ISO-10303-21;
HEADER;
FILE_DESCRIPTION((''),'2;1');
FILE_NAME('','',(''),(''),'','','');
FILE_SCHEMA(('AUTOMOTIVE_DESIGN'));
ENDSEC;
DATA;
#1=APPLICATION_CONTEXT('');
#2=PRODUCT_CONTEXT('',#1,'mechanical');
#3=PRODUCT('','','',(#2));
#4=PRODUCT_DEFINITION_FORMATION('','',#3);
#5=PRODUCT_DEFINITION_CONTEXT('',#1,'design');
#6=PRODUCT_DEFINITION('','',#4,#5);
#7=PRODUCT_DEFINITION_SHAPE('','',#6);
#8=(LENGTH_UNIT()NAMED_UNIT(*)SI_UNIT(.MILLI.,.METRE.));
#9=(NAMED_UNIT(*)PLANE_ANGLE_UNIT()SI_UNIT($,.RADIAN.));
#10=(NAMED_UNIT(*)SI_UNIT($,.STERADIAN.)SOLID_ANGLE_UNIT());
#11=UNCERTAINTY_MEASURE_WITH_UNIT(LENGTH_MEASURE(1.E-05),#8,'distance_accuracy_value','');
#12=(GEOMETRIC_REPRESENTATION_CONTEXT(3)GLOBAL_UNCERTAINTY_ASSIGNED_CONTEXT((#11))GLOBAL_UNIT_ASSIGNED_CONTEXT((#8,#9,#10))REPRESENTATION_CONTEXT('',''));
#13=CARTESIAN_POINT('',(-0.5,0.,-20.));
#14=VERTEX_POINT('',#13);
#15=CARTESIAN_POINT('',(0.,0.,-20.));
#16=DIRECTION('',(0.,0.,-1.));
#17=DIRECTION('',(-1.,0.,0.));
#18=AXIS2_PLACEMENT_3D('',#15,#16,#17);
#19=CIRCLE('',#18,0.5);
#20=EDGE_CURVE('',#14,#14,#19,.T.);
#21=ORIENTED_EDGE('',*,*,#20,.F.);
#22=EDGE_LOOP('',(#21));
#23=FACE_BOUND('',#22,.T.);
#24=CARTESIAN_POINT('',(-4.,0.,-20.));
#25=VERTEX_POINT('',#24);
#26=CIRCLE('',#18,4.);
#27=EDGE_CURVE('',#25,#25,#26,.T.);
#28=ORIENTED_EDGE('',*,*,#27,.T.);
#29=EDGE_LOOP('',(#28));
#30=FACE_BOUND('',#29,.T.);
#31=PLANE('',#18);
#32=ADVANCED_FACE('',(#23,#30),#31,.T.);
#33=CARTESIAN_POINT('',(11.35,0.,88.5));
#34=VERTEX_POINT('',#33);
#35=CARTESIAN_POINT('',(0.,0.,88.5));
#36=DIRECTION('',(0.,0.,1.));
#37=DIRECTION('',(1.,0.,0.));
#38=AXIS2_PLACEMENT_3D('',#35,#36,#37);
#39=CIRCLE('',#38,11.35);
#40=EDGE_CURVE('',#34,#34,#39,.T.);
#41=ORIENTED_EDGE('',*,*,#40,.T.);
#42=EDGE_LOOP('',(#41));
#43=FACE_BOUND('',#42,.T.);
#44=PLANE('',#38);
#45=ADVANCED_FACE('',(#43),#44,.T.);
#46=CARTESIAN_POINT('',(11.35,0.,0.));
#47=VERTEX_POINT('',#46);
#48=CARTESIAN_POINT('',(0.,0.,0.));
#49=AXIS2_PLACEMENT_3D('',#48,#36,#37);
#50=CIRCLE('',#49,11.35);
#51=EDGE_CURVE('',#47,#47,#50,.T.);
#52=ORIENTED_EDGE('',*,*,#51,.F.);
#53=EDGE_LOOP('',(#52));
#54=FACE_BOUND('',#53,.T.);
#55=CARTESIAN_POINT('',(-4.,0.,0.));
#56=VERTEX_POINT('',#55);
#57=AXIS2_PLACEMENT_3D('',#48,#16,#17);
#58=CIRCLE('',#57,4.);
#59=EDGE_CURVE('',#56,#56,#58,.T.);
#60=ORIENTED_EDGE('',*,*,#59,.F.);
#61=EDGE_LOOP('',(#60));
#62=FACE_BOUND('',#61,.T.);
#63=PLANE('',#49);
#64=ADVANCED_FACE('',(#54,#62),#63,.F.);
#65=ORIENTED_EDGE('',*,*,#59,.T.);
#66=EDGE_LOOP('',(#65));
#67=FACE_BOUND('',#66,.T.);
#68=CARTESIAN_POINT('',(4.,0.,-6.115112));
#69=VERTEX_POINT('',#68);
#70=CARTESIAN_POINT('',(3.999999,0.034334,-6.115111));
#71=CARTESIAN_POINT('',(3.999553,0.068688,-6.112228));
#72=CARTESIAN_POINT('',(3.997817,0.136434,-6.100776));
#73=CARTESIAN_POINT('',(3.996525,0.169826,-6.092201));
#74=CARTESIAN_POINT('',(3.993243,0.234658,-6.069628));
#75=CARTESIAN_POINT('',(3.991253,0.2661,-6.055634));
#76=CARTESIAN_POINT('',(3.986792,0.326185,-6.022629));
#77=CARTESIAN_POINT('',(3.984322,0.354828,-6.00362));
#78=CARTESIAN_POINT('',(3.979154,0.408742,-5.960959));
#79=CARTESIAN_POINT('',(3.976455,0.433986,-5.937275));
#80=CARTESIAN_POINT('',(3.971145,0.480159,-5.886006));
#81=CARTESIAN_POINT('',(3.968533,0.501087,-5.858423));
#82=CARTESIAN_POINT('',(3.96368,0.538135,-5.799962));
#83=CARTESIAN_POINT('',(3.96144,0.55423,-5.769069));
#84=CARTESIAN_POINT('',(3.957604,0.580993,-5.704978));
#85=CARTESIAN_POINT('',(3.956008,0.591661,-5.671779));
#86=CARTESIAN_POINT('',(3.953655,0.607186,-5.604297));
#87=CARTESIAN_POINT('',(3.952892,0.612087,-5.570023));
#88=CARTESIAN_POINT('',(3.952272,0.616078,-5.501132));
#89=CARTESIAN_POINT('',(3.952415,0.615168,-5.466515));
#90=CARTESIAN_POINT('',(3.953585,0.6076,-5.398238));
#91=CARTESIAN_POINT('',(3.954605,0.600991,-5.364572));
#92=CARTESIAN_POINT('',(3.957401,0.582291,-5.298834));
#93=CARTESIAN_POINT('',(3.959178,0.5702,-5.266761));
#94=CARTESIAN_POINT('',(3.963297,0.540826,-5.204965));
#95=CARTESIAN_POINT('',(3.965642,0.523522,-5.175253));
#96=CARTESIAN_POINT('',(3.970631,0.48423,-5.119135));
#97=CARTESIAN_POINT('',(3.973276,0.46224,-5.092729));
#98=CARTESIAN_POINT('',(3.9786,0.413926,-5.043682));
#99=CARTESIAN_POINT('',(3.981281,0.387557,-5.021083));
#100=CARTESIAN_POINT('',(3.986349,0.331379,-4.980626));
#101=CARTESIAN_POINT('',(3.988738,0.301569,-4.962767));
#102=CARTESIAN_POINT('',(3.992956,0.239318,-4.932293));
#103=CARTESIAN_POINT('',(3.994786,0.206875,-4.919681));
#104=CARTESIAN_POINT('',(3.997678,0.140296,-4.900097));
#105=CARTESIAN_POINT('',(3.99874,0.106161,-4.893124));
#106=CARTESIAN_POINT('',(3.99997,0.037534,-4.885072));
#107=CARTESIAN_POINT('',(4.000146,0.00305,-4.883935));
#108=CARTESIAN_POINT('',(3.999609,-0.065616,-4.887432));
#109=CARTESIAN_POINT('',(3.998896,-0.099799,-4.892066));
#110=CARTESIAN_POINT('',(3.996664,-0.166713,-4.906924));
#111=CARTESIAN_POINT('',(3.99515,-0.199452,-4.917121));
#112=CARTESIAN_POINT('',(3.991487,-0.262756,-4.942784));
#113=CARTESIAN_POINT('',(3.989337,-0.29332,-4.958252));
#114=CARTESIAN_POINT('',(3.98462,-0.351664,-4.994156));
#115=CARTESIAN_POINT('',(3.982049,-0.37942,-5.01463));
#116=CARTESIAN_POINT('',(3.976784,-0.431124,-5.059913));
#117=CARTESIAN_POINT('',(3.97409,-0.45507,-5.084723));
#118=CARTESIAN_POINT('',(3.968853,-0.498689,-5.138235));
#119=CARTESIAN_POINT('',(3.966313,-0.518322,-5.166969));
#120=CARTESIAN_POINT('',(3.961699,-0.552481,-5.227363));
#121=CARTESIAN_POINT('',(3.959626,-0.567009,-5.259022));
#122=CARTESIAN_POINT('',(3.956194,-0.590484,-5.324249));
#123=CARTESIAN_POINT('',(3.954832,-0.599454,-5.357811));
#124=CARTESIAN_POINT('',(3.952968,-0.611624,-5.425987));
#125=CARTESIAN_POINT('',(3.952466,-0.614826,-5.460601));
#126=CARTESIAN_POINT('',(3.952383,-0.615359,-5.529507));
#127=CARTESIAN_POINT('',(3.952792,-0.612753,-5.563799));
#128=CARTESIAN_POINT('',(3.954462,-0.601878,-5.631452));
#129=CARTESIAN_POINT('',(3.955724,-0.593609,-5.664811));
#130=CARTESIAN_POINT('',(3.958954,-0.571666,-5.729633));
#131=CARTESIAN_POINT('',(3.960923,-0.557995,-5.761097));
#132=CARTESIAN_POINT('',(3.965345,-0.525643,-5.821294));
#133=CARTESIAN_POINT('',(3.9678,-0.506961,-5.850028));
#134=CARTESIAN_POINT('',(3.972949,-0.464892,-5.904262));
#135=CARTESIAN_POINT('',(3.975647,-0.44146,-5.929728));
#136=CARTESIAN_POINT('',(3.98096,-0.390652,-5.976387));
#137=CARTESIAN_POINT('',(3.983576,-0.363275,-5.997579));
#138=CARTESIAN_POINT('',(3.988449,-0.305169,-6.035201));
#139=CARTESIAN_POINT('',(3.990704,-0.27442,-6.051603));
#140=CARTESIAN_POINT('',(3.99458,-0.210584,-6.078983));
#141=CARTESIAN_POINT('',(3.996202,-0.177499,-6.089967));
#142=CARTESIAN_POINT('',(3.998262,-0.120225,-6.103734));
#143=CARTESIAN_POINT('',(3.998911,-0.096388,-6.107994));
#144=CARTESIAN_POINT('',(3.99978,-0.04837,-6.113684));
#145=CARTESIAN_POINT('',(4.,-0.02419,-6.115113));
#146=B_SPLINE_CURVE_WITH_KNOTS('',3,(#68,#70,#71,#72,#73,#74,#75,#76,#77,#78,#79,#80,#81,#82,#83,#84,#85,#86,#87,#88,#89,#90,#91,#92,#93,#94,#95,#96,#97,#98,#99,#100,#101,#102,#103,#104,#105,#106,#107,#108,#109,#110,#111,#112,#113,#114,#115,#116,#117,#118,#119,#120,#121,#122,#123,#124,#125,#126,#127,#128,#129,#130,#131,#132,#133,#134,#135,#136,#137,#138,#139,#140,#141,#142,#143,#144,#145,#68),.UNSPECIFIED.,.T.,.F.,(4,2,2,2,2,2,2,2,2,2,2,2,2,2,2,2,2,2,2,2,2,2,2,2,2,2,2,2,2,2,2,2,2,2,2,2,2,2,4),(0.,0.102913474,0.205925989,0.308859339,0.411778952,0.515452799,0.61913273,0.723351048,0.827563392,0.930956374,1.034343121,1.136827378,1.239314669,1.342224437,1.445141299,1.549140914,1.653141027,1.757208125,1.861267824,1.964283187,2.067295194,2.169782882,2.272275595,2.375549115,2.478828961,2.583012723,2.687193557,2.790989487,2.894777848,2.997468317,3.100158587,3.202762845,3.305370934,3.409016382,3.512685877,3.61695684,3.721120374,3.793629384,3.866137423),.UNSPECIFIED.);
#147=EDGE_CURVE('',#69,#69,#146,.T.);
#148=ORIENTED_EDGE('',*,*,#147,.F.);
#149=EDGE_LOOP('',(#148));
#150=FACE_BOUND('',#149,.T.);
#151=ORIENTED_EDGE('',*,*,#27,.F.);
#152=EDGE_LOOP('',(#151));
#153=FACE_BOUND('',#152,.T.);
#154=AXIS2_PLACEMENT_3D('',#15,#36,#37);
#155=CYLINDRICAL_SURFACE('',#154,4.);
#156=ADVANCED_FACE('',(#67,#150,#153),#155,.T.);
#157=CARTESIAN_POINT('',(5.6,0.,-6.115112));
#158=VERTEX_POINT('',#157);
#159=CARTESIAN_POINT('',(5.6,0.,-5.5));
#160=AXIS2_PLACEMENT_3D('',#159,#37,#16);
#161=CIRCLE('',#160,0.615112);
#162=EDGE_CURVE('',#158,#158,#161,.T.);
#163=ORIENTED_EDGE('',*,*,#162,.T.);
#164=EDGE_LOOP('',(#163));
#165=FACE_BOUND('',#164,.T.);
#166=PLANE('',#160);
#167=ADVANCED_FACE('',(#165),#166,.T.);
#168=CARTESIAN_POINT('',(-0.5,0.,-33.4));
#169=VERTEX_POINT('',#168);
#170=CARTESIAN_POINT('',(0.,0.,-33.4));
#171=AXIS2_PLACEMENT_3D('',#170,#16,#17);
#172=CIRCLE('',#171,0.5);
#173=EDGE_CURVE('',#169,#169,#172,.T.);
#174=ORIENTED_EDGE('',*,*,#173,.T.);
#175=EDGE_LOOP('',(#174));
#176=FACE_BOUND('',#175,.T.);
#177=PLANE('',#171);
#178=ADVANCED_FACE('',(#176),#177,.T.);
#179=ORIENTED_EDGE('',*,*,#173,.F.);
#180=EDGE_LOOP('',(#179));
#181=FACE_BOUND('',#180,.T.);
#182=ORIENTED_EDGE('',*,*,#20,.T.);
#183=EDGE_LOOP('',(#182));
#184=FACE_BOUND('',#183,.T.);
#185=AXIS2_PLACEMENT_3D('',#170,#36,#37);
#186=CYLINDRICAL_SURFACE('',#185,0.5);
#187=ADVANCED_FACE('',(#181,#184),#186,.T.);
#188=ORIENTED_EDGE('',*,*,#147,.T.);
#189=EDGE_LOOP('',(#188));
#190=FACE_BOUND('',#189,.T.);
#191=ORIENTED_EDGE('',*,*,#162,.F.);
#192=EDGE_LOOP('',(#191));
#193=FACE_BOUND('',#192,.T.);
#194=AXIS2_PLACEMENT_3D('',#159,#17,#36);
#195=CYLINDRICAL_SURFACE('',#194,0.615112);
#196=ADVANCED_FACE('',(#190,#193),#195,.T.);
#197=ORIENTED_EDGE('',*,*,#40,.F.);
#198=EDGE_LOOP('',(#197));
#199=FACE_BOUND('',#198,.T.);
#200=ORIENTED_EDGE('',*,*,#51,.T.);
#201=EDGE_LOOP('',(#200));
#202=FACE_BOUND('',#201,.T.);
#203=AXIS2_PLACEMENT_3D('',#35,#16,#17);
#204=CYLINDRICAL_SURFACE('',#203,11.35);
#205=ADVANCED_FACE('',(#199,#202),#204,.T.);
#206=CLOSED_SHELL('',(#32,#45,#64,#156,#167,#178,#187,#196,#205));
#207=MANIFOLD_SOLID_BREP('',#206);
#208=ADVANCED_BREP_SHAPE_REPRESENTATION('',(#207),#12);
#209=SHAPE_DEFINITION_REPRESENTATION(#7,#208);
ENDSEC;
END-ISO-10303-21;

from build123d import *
from build123d.topology import SkipClean

# Parameters (mm, degrees)
ESQUISSE1_R             = 11.35
BOSS_EXTRU_1_DEPTH      = 88.5
ESQUISSE2_R             = 4
BOSS_EXTRU_2_DEPTH      = 20
ESQUISSE4_W             = 0.590657656
ESQUISSE4_H             = 10.980800687
BOSS_EXTRU_3_DEPTH      = 20
ESQUISSE5_R             = 0.615112373
BOSS_EXTRU_4_DEPTH      = 5.6
ENL_V_START             = -20
ENL_V_MAT_EXTRU_2_DEPTH = 20
ENL_V_MAT_EXTRU_3_DEPTH = 20
SKETCH1_R               = 0.5
BOSS_EXTRUDE1_DEPTH     = 13.4


with BuildPart() as part:
    # Esquisse1 → Boss.-Extru.1 (new body)
    with BuildSketch(Plane.XY):
        Circle(ESQUISSE1_R)
    extrude(amount=BOSS_EXTRU_1_DEPTH)

    # Esquisse2 → Boss.-Extru.2 (add)
    with BuildSketch(Plane(origin=(0, 0, 0), x_dir=(-1, 0, 0), z_dir=(0, 0, -1))):
        Circle(ESQUISSE2_R)
    extrude(amount=BOSS_EXTRU_2_DEPTH)

    # Esquisse4 → Boss.-Extru.3 (add)
    with BuildSketch(Plane(origin=(0, 0, 0), x_dir=(-1, 0, 0), z_dir=(0, 0, -1))):
        with Locations((0.295328828, 1.490400344)):
            Rectangle(ESQUISSE4_W, ESQUISSE4_H)
    extrude(amount=BOSS_EXTRU_3_DEPTH)

    # Esquisse5 → Boss.-Extru.4 (add)
    with BuildSketch(Plane(origin=(0, 0, 0), x_dir=(0, 0, -1), z_dir=(1, 0, 0))):
        with Locations((5.5, 0)):
            Circle(ESQUISSE5_R)
    extrude(amount=BOSS_EXTRU_4_DEPTH)

    # Esquisse7 → Enlèv. mat.-Extru.2 (cut)
    with BuildSketch(Plane(origin=(0, 0, -20), x_dir=(-1, 0, 0), z_dir=(0, 0, -1)).offset(ENL_V_START)):
        with BuildLine():
            Line((0.590657656, 6.980800687), (0, 6.980800687))
            Line((0, 6.980800687), (0, 4))
            ThreePointArc((0, 4), (0.296141555, 3.989022459), (0.590657656, 3.95615009))
            Line((0.590657656, 3.95615009), (0.590657656, 6.980800687))
        make_face()
    extrude(amount=ENL_V_MAT_EXTRU_2_DEPTH, mode=Mode.SUBTRACT)

    # Esquisse8 → Enlèv. mat.-Extru.3 (cut)
    with SkipClean():  # the faces are left unmerged after this step: merging them gives an invalid solid
        with BuildSketch(Plane(origin=(0, 0, -20), x_dir=(-1, 0, 0), z_dir=(0, 0, -1)).offset(ENL_V_START)):
            with BuildLine():
                ThreePointArc((0.590657656, -3.95615009), (0.296141555, -3.989022459), (0, -4))
                Line((0, -4), (0.590657656, -4))
                Line((0.590657656, -4), (0.590657656, -3.95615009))
            make_face()
        extrude(amount=ENL_V_MAT_EXTRU_3_DEPTH, mode=Mode.SUBTRACT)

    # Sketch1 → Boss-Extrude1 (add)
    with SkipClean():  # the faces are left unmerged after this step: merging them gives an invalid solid
        with BuildSketch(Plane(origin=(0, 0, -20), x_dir=(-1, 0, 0), z_dir=(0, 0, -1))):
            Circle(SKETCH1_R)
        extrude(amount=BOSS_EXTRUDE1_DEPTH)


solid = part.part
